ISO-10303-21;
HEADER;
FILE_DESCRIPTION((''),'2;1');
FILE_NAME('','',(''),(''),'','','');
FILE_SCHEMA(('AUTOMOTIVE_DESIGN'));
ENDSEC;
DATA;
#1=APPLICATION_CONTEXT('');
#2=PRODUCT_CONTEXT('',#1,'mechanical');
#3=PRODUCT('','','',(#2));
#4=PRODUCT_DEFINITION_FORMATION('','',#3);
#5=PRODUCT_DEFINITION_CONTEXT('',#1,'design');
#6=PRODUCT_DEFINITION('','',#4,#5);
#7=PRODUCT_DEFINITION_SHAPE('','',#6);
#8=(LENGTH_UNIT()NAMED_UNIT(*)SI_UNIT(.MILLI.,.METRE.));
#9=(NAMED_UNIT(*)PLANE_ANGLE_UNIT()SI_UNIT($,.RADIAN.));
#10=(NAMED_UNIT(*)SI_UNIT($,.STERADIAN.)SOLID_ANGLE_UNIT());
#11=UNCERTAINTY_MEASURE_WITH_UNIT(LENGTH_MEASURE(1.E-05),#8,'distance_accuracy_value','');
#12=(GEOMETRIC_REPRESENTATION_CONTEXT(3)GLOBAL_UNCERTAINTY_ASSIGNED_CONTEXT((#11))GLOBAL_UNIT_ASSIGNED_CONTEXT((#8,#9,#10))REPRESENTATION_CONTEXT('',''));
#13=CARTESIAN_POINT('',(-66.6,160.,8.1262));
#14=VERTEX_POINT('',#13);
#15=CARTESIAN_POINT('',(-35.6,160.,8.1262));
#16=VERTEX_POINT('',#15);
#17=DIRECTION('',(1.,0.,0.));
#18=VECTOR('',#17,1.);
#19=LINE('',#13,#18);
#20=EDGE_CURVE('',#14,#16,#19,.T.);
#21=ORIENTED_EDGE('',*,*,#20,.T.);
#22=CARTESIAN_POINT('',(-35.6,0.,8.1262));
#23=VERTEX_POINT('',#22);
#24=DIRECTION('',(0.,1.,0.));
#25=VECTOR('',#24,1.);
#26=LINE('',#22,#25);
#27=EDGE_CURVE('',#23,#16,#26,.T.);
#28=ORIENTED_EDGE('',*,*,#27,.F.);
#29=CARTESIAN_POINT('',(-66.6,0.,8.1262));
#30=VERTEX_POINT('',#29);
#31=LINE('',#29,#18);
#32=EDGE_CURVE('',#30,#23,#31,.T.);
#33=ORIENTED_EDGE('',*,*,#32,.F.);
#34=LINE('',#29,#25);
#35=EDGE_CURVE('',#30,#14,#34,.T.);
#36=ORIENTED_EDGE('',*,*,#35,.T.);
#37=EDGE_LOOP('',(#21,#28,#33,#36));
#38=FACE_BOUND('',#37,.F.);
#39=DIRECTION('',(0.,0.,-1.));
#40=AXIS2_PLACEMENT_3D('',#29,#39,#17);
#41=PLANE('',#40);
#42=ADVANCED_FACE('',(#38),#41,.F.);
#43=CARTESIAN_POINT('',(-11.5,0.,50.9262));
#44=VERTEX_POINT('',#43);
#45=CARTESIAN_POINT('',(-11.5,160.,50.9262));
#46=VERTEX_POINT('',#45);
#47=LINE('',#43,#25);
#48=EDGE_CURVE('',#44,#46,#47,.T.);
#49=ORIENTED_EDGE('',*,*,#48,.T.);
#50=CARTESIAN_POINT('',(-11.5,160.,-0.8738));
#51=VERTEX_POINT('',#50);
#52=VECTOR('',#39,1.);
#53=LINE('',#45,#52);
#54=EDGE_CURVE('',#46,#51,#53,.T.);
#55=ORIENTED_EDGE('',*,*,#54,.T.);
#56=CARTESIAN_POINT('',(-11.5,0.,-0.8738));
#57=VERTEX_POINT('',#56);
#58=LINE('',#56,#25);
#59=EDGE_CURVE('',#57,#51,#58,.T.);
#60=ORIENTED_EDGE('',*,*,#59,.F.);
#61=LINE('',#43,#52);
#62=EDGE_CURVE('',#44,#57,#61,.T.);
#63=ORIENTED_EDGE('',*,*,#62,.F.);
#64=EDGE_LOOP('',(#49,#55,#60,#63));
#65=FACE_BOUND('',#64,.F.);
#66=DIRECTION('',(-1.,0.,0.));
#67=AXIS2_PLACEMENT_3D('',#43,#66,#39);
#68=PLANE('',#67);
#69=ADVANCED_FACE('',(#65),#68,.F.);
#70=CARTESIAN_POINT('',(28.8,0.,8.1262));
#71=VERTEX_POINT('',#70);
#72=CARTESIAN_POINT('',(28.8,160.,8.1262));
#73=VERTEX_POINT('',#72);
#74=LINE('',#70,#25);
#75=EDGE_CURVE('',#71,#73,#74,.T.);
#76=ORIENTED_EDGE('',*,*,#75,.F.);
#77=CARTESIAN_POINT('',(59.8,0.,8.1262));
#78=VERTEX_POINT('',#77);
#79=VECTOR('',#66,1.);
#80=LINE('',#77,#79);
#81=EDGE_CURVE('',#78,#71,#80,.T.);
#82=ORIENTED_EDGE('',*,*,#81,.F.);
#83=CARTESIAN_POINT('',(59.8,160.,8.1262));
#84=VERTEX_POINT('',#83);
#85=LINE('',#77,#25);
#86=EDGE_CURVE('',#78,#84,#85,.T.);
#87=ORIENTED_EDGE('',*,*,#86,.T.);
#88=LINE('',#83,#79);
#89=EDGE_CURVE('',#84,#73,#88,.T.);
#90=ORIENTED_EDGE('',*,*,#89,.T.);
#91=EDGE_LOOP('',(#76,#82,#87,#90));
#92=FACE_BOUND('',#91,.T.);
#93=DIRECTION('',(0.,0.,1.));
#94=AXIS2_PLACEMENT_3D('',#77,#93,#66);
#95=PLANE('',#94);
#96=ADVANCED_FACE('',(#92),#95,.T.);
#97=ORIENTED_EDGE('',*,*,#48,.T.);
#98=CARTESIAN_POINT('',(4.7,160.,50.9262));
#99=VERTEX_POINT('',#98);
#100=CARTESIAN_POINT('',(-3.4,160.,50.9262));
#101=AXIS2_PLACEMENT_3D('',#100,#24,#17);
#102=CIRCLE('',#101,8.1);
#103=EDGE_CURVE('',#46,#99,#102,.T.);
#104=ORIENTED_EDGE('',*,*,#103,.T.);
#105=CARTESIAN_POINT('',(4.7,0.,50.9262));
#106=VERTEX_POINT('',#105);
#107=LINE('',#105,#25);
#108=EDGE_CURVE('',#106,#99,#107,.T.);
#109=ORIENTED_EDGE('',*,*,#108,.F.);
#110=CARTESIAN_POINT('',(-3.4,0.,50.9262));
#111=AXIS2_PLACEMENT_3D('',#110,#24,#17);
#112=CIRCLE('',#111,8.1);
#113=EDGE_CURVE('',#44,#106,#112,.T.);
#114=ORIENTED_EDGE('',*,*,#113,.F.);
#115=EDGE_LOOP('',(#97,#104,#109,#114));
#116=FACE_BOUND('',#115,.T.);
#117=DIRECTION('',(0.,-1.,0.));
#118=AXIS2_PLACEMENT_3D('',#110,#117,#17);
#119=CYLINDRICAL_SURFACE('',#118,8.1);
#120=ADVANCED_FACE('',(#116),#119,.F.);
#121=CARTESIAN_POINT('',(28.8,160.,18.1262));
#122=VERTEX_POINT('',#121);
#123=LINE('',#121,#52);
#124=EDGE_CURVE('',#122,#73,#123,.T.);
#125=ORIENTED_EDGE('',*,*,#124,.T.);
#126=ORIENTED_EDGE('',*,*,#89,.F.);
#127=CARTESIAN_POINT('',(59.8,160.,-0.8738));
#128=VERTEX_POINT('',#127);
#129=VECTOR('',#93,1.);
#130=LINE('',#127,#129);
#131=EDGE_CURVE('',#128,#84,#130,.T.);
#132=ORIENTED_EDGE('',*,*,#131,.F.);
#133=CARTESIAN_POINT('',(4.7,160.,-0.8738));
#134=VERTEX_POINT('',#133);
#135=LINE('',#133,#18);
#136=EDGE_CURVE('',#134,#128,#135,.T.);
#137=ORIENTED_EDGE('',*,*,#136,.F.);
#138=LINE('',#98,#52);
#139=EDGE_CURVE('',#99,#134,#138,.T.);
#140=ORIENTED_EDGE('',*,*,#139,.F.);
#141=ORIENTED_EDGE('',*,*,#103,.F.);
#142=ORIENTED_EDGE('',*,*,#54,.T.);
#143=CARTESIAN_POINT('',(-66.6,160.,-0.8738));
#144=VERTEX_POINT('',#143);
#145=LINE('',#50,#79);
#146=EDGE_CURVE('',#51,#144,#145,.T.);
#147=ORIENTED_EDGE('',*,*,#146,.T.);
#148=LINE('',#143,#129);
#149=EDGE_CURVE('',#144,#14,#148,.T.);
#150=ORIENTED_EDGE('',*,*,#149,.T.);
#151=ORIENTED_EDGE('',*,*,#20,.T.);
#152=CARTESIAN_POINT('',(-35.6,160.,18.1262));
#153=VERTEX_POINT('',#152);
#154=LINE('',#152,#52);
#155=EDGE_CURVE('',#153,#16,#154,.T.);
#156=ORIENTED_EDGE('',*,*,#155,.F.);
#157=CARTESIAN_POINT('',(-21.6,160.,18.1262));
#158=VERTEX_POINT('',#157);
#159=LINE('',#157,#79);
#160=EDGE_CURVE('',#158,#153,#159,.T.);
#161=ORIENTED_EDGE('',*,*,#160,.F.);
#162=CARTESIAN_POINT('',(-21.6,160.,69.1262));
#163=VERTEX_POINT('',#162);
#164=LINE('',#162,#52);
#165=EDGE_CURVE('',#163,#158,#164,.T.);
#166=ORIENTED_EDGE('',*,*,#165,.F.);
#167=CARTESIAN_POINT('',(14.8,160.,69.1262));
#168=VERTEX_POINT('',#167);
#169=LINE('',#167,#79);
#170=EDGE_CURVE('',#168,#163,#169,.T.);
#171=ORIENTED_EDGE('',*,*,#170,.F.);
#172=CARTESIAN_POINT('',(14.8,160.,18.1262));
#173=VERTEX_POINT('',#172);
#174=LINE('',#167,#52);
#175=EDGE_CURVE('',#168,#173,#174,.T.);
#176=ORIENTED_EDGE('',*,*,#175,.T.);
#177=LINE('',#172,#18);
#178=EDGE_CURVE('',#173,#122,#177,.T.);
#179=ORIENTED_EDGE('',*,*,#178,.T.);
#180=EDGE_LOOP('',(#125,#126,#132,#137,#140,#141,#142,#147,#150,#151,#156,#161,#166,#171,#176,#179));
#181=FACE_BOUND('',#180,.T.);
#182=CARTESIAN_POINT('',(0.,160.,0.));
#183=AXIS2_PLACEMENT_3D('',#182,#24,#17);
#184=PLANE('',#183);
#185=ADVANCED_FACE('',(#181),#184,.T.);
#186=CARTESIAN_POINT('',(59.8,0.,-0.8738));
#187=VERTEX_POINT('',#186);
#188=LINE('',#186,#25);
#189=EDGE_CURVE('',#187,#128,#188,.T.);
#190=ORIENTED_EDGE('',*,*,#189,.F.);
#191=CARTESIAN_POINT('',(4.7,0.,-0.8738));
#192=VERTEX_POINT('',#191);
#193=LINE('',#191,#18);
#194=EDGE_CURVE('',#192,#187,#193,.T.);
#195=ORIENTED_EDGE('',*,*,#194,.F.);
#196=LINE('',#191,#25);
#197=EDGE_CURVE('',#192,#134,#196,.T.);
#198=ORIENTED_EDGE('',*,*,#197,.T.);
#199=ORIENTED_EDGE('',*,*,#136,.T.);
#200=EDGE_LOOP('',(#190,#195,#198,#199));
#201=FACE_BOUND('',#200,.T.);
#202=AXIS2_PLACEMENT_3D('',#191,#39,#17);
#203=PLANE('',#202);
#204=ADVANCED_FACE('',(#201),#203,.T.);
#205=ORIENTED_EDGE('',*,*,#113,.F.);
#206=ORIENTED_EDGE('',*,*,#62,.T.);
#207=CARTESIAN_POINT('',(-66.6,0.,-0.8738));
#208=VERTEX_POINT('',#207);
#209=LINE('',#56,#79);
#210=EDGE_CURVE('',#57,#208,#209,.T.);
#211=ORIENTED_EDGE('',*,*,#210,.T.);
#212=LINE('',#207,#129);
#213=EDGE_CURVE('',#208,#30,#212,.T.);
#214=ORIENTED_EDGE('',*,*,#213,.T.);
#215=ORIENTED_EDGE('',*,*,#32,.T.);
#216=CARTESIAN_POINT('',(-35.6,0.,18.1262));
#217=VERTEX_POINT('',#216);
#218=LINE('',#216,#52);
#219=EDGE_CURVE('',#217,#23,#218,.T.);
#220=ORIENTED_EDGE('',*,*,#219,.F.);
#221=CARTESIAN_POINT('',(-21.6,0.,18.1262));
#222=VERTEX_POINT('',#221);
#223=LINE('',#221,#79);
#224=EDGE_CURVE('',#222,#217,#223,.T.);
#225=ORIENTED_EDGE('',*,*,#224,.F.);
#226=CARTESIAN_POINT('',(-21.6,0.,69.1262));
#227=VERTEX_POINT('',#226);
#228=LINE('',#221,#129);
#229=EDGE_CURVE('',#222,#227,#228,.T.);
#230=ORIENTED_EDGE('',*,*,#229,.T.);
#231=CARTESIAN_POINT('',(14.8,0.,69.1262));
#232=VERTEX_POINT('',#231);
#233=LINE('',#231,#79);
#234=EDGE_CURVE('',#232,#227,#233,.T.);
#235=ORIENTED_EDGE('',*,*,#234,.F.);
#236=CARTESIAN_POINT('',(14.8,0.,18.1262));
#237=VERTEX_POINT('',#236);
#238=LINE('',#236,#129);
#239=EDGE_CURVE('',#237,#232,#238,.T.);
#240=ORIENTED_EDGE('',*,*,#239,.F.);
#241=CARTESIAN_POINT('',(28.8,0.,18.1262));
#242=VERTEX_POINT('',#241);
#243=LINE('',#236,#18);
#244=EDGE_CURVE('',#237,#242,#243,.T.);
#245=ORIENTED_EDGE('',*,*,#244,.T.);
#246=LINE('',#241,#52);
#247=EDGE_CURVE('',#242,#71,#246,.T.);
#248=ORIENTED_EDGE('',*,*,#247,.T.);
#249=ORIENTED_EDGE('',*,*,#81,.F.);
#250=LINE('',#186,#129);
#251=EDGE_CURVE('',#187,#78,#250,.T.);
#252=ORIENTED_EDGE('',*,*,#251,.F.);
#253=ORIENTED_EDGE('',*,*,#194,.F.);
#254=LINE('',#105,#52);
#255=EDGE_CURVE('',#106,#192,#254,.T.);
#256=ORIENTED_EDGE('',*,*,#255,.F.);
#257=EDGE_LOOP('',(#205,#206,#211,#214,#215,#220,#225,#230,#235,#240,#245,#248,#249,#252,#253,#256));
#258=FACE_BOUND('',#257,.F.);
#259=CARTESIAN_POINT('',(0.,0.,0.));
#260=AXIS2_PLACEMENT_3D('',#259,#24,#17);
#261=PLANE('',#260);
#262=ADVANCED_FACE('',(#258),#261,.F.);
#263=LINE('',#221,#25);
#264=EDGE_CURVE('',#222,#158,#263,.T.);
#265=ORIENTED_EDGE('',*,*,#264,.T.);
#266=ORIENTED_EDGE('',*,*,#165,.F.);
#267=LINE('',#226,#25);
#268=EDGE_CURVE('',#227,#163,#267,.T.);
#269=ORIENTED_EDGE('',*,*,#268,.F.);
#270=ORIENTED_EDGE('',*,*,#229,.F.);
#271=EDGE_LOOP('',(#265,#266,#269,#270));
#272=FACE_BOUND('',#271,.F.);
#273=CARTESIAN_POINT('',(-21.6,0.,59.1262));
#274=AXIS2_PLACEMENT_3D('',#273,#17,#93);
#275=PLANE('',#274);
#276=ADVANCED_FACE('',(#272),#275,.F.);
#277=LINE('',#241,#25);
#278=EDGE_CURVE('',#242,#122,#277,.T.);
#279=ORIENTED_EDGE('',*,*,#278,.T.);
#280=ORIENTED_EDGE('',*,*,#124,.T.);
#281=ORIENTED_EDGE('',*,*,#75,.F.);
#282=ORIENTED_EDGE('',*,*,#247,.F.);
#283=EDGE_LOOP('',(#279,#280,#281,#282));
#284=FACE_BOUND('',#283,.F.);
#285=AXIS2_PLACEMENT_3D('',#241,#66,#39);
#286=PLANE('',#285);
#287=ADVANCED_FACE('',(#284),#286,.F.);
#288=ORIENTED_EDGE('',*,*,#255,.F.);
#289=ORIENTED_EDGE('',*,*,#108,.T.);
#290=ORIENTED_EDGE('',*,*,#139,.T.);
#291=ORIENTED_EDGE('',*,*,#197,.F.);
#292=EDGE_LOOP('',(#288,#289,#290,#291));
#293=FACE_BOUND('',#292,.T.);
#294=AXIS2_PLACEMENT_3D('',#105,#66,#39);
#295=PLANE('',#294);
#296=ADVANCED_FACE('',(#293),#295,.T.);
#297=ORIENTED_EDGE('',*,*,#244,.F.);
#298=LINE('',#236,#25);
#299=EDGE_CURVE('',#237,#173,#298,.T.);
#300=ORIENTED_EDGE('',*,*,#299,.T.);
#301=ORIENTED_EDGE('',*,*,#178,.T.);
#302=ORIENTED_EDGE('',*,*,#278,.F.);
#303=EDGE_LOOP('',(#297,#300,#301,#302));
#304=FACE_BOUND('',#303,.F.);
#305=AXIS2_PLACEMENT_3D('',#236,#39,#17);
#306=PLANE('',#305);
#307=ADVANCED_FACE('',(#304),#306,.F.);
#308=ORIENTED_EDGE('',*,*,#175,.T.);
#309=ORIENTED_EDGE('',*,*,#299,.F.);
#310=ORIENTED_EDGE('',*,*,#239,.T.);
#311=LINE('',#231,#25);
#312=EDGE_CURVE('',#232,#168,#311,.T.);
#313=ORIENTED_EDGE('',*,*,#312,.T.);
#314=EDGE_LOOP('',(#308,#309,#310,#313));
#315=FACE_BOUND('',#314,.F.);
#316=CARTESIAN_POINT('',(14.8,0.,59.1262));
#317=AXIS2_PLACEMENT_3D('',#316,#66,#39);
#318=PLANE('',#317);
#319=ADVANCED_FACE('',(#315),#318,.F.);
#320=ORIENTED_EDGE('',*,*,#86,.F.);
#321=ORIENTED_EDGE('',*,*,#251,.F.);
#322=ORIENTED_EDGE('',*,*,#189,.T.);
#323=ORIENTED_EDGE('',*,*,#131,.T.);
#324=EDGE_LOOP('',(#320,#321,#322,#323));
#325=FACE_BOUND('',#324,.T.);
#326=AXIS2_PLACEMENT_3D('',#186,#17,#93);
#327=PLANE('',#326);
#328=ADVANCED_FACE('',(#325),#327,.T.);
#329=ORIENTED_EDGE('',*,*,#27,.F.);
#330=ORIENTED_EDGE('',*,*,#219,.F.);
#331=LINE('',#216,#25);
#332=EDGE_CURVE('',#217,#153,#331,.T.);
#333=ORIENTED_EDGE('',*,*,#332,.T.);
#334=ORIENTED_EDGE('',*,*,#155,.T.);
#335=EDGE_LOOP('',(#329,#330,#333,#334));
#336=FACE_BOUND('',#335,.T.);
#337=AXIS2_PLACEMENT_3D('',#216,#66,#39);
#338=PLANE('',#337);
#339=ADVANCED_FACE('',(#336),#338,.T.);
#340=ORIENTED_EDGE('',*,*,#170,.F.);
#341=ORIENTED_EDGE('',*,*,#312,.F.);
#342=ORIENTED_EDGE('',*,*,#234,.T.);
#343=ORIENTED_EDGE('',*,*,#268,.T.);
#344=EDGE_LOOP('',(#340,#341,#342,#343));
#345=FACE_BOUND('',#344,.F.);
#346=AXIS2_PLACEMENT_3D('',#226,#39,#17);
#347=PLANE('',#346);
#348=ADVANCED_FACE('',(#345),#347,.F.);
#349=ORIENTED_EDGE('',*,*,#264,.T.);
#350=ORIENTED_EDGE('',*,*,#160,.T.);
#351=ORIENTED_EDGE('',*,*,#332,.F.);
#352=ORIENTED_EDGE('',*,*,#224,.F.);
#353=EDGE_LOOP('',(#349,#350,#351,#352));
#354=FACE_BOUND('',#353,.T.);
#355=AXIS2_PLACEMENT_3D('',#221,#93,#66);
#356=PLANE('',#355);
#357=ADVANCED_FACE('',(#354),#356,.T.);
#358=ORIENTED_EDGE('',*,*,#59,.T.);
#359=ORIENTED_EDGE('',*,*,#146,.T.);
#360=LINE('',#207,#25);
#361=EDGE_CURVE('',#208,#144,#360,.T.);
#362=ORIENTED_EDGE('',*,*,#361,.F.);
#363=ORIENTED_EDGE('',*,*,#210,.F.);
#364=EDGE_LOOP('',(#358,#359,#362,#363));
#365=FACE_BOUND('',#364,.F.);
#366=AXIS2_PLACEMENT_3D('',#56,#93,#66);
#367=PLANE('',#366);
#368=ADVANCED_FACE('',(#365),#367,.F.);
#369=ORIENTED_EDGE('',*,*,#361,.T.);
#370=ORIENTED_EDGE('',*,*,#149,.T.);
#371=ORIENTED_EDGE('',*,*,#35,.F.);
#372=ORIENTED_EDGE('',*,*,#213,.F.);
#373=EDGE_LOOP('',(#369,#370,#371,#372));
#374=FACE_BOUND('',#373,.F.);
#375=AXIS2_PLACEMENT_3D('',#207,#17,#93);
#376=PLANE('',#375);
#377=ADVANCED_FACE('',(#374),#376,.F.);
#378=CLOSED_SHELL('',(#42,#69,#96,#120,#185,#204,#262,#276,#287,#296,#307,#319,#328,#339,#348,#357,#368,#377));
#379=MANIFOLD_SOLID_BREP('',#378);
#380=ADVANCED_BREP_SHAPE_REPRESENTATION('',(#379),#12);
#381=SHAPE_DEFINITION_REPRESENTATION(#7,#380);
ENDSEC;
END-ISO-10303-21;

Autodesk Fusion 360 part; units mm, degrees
sketch "Sketch1" plane through (0, 0, 0) normal (0, 1, 0) x (1, 0, 0)
  line L0 (-21.6, -69.1262) -> (2.8, -69.1262)
  line L1 (-21.6, -59.1262) -> (-21.6, -69.1262)
  line L2 (14.8, -18.1262) -> (28.8, -18.1262)
  line L3 (2.8, -69.1262) -> (14.8, -69.1262)
  line L4 (14.8, -59.1262) -> (14.8, -18.1262)
  line L5 (14.8, -69.1262) -> (14.8, -59.1262)
  line L6 (28.8, -18.1262) -> (28.8, -8.1262)
  line L7 (-66.6, -8.1262) -> (-35.6, -8.1262)
  line L8 (-66.6, 0.8738) -> (-66.6, -8.1262)
  line L9 (-21.6, -18.1262) -> (-35.6, -18.1262)
  line L10 (-35.6, -8.1262) -> (-66.6, -8.1262)
  line L11 (59.8, 0.8738) -> (59.8, -8.1262)
  line L12 (14.8, -18.1262) -> (14.8, -69.1262)
  line L13 (-35.6, -18.1262) -> (-35.6, -8.1262)
  line L14 (-21.6, -44.1262) -> (-21.6, -59.1262)
  line L15 (-21.6, -18.1262) -> (-21.6, -44.1262)
  line L16 (59.8, -8.1262) -> (28.8, -8.1262)
  line L17 (-35.6, -8.1262) -> (-35.6, -18.1262)
  line L18 (-35.6, -18.1262) -> (-21.6, -18.1262)
  line L19 (28.8, -8.1262) -> (28.8, -18.1262)
  line L20 (-21.6, -69.1262) -> (14.8, -69.1262)
  line L21 (-66.6, -8.1262) -> (-66.6, 0.8738)
  line L22 (-21.6, -69.1262) -> (-21.6, -18.1262)
  line L23 (28.8, -8.1262) -> (59.8, -8.1262)
  line L24 (59.8, -8.1262) -> (59.8, 0.8738)
  circle A0 centre (-3.4, -50.9262) radius 8.1
  line L25 (4.7, -50.9262) -> (-11.5, -50.9262) construction
  line L26 (-66.6, 0.8738) -> (59.8, 0.8738) construction
  line L27 (-11.5, -50.9262) -> (-11.5, 0.8738)
  line L28 (4.7, -50.9262) -> (4.7, 0.8738)
  line L29 (4.7, 0.8738) -> (59.8, 0.8738)
  line L30 (-11.5, 0.8738) -> (-66.6, 0.8738)
  point P0 (-3.2, -18.2523)
  dimension "d5" = 16.2
extrude "Extrude1" add sketch "Sketch1" along normal blind 180 contours L0 L1 L2 L3 L4 L5 L6 L7 L8 L9 L10 L11 L12 L13 L14 L15 L16 L17 L18 L19 L20 L21 L22 L23 L24 A0 L27 L28 L29 L30
extrude "Extrude2" cut 1 faces at (-22.9, 180, 8.4595) along direction (0, -1, 0) blind 20
